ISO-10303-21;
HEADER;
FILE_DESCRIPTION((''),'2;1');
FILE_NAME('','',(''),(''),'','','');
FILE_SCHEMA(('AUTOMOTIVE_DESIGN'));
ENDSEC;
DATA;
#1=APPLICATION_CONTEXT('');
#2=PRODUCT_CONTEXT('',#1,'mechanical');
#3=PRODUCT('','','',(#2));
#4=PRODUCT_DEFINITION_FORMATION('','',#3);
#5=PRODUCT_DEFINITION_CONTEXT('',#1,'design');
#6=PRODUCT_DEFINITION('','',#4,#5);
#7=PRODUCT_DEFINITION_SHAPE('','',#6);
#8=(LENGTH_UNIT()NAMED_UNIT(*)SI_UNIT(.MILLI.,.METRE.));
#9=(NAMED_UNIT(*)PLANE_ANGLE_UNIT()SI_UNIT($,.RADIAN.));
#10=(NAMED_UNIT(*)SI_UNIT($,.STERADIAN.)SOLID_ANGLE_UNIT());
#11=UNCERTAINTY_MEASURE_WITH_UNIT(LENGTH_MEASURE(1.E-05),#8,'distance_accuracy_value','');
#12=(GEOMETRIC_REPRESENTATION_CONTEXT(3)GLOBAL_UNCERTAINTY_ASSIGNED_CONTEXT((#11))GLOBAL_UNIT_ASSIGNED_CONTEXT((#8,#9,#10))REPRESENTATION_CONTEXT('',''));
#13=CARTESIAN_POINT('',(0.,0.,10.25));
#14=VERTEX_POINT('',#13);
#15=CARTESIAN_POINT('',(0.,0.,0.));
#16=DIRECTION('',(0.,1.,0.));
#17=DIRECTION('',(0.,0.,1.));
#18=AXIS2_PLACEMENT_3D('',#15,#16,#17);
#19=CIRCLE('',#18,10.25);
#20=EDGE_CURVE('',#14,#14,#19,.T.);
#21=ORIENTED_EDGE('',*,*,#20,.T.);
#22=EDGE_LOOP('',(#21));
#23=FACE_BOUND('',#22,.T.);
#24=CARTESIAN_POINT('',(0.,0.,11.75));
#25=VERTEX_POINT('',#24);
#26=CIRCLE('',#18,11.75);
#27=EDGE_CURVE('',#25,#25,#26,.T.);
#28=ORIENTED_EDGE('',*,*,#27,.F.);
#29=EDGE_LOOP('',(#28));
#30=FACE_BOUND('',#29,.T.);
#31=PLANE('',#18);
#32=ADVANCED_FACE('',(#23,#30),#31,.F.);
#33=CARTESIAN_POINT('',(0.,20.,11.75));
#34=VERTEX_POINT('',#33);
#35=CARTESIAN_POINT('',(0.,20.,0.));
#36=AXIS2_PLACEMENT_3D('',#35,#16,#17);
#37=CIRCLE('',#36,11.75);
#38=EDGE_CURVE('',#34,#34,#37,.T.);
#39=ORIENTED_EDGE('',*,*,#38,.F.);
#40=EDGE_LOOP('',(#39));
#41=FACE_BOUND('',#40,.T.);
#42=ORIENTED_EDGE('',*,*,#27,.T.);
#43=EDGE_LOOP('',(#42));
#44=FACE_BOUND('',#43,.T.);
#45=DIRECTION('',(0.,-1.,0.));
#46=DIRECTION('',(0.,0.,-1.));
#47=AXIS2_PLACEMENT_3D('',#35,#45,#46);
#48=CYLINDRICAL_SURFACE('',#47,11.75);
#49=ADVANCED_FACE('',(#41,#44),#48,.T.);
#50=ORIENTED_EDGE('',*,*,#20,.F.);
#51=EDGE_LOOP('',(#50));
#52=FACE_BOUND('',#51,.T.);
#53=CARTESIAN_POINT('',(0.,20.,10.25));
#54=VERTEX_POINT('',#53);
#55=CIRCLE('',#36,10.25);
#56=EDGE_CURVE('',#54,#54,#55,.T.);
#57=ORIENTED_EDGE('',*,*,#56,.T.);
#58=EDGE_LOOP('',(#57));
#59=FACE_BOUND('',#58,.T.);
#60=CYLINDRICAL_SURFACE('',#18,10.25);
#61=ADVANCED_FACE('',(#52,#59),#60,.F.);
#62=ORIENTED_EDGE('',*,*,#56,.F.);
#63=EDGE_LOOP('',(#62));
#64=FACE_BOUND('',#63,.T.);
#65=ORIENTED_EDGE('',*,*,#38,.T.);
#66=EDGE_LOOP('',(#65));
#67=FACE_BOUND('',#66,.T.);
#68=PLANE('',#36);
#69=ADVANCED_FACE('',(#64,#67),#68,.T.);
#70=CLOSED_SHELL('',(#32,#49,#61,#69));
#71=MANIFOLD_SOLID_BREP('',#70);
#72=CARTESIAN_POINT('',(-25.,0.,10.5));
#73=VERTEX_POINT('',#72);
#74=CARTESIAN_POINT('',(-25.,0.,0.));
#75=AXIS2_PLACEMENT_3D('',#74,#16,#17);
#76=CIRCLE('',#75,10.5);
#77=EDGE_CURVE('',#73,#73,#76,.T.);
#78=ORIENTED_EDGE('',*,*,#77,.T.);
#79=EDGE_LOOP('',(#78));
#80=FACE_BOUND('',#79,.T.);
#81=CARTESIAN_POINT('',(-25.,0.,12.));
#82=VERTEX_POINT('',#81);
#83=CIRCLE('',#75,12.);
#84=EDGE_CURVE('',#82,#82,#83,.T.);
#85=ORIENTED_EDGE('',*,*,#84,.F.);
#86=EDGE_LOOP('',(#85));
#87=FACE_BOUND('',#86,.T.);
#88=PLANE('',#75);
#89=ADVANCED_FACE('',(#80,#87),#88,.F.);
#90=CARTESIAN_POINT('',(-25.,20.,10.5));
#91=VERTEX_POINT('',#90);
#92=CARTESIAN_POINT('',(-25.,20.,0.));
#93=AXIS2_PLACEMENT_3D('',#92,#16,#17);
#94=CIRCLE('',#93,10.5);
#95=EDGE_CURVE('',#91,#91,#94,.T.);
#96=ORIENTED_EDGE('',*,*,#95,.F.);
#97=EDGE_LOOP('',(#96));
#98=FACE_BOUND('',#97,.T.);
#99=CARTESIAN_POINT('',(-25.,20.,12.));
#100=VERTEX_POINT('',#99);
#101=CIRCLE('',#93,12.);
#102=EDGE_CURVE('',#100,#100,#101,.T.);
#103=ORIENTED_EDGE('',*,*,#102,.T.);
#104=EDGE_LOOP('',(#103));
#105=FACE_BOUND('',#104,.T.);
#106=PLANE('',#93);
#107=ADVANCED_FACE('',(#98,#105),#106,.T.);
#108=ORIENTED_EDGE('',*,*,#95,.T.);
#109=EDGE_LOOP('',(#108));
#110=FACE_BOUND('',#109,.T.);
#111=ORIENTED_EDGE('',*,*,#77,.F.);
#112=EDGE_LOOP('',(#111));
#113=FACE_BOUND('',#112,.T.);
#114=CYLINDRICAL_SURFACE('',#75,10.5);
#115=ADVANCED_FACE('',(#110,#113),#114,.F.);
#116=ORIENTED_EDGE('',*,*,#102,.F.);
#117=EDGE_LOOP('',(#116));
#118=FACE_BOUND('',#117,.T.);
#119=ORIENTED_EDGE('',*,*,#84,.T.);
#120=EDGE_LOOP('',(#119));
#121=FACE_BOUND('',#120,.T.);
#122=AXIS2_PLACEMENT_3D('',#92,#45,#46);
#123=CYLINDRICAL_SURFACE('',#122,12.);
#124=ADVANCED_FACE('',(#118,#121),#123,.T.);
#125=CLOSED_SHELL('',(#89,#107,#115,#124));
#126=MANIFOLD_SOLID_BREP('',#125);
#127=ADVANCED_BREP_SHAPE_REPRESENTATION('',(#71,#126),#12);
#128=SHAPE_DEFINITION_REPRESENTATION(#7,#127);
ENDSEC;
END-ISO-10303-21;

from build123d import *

# Parameters (mm, degrees)
SKETCH2_R               = 11.75
BOSS_EXTRUDE1_DEPTH     = 20
CUT_EXTRUDE1_DEPTH      = 27.002403735
CUT_EXTRUDE1_DEPTH_BACK = 27.002403735
SKETCH3_R               = 10.25
SKETCH4_R               = 12
BOSS_EXTRUDE2_DEPTH     = 20
CUT_EXTRUDE2_DEPTH      = 44.737855457
CUT_EXTRUDE2_DEPTH_BACK = 44.737855457
SKETCH5_R               = 10.5


with BuildPart() as part:
    # Sketch2 → Boss-Extrude1 (new body)
    with BuildSketch(Plane(origin=(0, 0, 0), x_dir=(1, 0, 0), z_dir=(0, 1, 0))):
        with Locations(Location((0, 0, 0), (0, 0, 270))):
            Circle(SKETCH2_R)
    extrude(amount=BOSS_EXTRUDE1_DEPTH)

    # Sketch3 → Cut-Extrude1 (cut, two sides: drawn at the far end of the back side and taken through both)
    with BuildSketch(Plane(origin=(0, 20, 0), x_dir=(1, 0, 0), z_dir=(0, 1, 0)).offset(-CUT_EXTRUDE1_DEPTH_BACK)):
        with Locations(Location((0, 0, 0), (0, 0, 270))):
            Circle(SKETCH3_R)
    extrude(amount=CUT_EXTRUDE1_DEPTH + CUT_EXTRUDE1_DEPTH_BACK, mode=Mode.SUBTRACT)


with BuildPart() as body_2:
    # Sketch4 → Boss-Extrude2 (new body)
    with BuildSketch(Plane(origin=(0, 0, 0), x_dir=(1, 0, 0), z_dir=(0, 1, 0))):
        with Locations(Location((-25, 0, 0), (0, 0, 270))):
            Circle(SKETCH4_R)
    extrude(amount=BOSS_EXTRUDE2_DEPTH)

    # Sketch5 → Cut-Extrude2 (cut, two sides: drawn at the far end of the back side and taken through both)
    with BuildSketch(Plane(origin=(0, 20, 0), x_dir=(1, 0, 0), z_dir=(0, 1, 0)).offset(-CUT_EXTRUDE2_DEPTH_BACK)):
        with Locations(Location((-25, 0, 0), (0, 0, 270))):
            Circle(SKETCH5_R)
    extrude(amount=CUT_EXTRUDE2_DEPTH + CUT_EXTRUDE2_DEPTH_BACK, mode=Mode.SUBTRACT)


solid = Compound([part.part, body_2.part])
